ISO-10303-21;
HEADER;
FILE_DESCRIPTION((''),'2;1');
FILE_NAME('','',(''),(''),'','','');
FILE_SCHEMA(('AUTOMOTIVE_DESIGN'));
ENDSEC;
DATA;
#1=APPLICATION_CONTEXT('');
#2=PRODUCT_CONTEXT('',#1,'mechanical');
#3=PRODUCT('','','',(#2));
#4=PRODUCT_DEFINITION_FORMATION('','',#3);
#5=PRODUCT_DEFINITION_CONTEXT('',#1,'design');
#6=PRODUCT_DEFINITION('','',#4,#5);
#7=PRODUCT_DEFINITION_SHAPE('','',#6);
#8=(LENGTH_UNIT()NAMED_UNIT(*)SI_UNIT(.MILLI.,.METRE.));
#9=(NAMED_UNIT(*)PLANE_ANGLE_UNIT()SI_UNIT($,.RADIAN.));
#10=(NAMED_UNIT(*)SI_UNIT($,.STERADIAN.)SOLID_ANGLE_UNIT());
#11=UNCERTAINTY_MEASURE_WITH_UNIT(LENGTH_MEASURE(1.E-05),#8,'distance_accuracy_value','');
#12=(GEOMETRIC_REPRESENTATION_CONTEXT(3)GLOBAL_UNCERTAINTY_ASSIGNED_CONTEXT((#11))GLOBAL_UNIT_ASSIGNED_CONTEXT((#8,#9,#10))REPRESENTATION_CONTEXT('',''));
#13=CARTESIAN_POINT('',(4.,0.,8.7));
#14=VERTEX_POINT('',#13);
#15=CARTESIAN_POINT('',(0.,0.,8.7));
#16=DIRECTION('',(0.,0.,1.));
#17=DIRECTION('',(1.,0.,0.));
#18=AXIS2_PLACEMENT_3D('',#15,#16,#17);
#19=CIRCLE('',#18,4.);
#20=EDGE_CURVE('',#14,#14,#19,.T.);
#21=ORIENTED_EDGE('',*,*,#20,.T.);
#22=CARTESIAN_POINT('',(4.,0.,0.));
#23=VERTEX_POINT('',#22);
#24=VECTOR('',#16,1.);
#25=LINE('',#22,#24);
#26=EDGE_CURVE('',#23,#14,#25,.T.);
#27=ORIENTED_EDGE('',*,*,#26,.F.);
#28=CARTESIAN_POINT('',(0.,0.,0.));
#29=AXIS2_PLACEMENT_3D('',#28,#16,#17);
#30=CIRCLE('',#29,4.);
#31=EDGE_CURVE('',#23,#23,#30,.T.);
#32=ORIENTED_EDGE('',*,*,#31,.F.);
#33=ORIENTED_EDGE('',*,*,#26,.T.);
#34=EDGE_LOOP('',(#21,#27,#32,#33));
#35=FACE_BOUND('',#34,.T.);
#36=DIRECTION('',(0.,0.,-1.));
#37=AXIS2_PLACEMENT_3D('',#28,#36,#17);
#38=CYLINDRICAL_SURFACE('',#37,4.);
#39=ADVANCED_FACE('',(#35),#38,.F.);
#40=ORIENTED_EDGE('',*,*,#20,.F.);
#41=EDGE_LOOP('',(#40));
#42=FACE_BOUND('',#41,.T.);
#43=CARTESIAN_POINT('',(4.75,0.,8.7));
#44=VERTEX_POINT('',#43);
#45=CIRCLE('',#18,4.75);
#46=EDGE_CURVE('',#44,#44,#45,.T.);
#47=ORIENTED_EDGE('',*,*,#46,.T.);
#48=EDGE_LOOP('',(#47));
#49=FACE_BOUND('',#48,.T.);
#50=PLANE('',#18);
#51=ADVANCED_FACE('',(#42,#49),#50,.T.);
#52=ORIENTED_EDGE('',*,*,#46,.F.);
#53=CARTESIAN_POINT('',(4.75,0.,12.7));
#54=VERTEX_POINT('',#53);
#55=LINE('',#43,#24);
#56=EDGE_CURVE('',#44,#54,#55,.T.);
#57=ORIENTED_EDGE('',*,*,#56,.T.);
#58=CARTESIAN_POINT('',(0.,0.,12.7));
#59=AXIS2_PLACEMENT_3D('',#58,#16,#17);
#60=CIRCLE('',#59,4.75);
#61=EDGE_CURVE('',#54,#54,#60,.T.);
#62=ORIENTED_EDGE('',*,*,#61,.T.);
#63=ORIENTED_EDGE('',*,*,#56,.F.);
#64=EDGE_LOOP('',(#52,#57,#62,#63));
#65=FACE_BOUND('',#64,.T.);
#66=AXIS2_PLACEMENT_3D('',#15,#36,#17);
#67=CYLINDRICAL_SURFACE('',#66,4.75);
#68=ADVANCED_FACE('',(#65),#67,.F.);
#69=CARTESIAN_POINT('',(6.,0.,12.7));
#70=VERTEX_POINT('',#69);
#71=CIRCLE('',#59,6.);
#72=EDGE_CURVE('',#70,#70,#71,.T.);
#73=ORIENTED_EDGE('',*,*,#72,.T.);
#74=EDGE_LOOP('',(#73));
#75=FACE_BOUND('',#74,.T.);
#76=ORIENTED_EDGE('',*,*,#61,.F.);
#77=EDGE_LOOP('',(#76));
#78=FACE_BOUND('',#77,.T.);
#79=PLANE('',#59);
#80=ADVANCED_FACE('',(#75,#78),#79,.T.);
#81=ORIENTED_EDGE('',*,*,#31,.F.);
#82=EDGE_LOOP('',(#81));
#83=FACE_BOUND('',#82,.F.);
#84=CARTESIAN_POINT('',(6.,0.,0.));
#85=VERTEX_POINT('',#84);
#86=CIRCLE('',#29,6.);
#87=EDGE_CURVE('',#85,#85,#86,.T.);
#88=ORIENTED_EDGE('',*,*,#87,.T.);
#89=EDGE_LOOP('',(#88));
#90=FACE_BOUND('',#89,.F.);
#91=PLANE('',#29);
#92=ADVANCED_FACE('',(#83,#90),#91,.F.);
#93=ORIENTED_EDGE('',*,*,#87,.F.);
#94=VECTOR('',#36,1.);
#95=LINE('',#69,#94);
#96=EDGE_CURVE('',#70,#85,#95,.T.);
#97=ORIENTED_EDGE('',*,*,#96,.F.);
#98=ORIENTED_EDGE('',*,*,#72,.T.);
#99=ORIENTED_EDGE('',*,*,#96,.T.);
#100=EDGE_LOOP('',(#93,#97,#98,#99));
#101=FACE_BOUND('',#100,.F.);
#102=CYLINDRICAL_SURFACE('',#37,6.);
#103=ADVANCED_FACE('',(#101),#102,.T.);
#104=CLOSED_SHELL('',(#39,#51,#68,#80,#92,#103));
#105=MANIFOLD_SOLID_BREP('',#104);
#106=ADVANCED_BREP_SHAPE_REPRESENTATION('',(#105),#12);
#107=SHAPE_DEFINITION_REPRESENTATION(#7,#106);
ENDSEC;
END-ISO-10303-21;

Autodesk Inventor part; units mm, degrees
ref_plane "YZ Plane" through (0, 0, 0) normal (1, 0, 0) x (0, 1, 0)
ref_plane "XZ Plane" through (0, 0, 0) normal (0, 1, 0) x (-1, 0, 0)
ref_plane "XY Plane" through (0, 0, 0) normal (0, 0, 1) x (1, 0, 0)
sketch "Sketch1" plane through (0, 0, 0) normal (0, 0, 1) x (1, 0, 0)
  circle A0 centre (0, 0) radius 4
  circle A1 centre (0, 0) radius 6
  dimension "d0" = 8
  dimension "d1" = 12
extrude "Extrusion1" add sketch "Sketch1" along normal blind 8.7
sketch "Sketch2" plane through (0, 0, 8.7) normal (0, 0, 1) x (1, 0, 0)
  circle A0 centre (0, 0) radius 6 projected
  circle A1 centre (0, 0) radius 4.75
  dimension "d4" = 9.5
extrude "Extrusion2" add sketch "Sketch2" along normal blind 4
equation "\"d4\" = MAGDIA"
equation "\"THICKA\" = 3.175"
equation "\"THICKB\" = 6.731"
equation "\"THICKC\" = 12.7"
equation "\"MAGDIA\" = 9.5"
equation "\"BALLDIA\" = 12"
equation "\"THICKPLY\" = 5"
properties part number "Arrow_Adapter"
